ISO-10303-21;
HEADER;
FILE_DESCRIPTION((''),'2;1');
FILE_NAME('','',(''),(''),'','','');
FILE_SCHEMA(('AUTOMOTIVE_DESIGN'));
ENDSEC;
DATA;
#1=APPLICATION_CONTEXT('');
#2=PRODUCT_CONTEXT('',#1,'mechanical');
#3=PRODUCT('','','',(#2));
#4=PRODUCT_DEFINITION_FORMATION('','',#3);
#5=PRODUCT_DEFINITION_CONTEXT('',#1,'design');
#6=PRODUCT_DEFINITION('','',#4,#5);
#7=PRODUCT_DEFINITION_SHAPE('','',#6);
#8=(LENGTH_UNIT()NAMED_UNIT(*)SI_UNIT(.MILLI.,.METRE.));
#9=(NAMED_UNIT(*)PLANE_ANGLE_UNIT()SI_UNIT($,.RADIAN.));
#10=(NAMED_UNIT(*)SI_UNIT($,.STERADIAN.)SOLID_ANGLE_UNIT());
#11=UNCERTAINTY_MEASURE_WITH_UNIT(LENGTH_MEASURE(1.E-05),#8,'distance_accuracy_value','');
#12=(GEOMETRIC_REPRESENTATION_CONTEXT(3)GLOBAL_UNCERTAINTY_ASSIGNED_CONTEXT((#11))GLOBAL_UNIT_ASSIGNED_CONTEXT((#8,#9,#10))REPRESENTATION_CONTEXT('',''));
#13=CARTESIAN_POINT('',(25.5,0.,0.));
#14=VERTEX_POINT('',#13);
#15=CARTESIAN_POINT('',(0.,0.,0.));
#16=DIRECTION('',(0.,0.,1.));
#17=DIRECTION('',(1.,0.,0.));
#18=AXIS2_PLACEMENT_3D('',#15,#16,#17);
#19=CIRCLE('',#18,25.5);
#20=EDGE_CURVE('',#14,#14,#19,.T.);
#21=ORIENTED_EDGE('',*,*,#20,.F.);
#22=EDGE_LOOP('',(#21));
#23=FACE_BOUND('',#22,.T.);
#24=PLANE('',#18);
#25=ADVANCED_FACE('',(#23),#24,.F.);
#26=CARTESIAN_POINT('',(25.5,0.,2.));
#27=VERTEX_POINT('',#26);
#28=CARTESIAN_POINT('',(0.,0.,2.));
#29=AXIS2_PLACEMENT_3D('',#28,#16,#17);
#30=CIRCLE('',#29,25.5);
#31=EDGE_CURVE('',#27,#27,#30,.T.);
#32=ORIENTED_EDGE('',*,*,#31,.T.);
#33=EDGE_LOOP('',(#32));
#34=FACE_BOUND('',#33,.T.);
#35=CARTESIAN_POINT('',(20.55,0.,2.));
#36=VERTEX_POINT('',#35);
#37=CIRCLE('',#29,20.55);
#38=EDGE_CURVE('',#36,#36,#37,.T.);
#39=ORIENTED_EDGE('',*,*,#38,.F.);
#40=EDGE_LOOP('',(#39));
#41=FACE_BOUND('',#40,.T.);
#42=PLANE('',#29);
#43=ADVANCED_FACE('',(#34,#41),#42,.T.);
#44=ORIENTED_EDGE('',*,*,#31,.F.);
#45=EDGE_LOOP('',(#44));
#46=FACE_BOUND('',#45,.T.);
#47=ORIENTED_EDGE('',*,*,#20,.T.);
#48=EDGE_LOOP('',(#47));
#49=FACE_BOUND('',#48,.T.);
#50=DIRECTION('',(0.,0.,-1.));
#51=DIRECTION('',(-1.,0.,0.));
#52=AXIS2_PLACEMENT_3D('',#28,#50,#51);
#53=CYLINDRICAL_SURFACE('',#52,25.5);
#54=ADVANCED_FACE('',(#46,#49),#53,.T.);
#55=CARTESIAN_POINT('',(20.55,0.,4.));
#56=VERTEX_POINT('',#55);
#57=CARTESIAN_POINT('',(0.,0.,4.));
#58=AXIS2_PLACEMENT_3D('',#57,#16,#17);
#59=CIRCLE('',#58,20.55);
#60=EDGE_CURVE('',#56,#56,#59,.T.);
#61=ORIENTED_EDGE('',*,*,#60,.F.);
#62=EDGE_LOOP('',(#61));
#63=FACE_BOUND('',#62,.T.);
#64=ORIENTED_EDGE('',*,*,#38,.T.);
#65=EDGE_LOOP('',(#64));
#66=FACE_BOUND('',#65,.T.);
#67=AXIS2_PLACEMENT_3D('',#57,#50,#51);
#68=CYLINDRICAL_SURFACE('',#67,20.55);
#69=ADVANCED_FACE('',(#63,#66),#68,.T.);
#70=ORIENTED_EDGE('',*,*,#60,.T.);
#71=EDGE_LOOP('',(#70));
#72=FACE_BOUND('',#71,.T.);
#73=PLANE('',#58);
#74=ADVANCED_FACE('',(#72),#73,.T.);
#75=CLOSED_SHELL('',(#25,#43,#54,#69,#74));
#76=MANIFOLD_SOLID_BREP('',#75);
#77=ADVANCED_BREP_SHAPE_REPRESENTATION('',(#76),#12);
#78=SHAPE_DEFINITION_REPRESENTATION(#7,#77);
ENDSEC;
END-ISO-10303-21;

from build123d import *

# Parameters (mm, degrees)
SKETCH1_R           = 25.5
BOSS_EXTRUDE1_DEPTH = 2
SKETCH2_R           = 20.55
BOSS_EXTRUDE2_DEPTH = 2


with BuildPart() as part:
    # Sketch1 → Boss-Extrude1 (new body)
    with BuildSketch(Plane.XY):
        Circle(SKETCH1_R)
    extrude(amount=BOSS_EXTRUDE1_DEPTH)

    # Sketch2 → Boss-Extrude2 (add)
    with BuildSketch(Plane.XY.offset(2)):
        Circle(SKETCH2_R)
    extrude(amount=BOSS_EXTRUDE2_DEPTH)


solid = part.part
